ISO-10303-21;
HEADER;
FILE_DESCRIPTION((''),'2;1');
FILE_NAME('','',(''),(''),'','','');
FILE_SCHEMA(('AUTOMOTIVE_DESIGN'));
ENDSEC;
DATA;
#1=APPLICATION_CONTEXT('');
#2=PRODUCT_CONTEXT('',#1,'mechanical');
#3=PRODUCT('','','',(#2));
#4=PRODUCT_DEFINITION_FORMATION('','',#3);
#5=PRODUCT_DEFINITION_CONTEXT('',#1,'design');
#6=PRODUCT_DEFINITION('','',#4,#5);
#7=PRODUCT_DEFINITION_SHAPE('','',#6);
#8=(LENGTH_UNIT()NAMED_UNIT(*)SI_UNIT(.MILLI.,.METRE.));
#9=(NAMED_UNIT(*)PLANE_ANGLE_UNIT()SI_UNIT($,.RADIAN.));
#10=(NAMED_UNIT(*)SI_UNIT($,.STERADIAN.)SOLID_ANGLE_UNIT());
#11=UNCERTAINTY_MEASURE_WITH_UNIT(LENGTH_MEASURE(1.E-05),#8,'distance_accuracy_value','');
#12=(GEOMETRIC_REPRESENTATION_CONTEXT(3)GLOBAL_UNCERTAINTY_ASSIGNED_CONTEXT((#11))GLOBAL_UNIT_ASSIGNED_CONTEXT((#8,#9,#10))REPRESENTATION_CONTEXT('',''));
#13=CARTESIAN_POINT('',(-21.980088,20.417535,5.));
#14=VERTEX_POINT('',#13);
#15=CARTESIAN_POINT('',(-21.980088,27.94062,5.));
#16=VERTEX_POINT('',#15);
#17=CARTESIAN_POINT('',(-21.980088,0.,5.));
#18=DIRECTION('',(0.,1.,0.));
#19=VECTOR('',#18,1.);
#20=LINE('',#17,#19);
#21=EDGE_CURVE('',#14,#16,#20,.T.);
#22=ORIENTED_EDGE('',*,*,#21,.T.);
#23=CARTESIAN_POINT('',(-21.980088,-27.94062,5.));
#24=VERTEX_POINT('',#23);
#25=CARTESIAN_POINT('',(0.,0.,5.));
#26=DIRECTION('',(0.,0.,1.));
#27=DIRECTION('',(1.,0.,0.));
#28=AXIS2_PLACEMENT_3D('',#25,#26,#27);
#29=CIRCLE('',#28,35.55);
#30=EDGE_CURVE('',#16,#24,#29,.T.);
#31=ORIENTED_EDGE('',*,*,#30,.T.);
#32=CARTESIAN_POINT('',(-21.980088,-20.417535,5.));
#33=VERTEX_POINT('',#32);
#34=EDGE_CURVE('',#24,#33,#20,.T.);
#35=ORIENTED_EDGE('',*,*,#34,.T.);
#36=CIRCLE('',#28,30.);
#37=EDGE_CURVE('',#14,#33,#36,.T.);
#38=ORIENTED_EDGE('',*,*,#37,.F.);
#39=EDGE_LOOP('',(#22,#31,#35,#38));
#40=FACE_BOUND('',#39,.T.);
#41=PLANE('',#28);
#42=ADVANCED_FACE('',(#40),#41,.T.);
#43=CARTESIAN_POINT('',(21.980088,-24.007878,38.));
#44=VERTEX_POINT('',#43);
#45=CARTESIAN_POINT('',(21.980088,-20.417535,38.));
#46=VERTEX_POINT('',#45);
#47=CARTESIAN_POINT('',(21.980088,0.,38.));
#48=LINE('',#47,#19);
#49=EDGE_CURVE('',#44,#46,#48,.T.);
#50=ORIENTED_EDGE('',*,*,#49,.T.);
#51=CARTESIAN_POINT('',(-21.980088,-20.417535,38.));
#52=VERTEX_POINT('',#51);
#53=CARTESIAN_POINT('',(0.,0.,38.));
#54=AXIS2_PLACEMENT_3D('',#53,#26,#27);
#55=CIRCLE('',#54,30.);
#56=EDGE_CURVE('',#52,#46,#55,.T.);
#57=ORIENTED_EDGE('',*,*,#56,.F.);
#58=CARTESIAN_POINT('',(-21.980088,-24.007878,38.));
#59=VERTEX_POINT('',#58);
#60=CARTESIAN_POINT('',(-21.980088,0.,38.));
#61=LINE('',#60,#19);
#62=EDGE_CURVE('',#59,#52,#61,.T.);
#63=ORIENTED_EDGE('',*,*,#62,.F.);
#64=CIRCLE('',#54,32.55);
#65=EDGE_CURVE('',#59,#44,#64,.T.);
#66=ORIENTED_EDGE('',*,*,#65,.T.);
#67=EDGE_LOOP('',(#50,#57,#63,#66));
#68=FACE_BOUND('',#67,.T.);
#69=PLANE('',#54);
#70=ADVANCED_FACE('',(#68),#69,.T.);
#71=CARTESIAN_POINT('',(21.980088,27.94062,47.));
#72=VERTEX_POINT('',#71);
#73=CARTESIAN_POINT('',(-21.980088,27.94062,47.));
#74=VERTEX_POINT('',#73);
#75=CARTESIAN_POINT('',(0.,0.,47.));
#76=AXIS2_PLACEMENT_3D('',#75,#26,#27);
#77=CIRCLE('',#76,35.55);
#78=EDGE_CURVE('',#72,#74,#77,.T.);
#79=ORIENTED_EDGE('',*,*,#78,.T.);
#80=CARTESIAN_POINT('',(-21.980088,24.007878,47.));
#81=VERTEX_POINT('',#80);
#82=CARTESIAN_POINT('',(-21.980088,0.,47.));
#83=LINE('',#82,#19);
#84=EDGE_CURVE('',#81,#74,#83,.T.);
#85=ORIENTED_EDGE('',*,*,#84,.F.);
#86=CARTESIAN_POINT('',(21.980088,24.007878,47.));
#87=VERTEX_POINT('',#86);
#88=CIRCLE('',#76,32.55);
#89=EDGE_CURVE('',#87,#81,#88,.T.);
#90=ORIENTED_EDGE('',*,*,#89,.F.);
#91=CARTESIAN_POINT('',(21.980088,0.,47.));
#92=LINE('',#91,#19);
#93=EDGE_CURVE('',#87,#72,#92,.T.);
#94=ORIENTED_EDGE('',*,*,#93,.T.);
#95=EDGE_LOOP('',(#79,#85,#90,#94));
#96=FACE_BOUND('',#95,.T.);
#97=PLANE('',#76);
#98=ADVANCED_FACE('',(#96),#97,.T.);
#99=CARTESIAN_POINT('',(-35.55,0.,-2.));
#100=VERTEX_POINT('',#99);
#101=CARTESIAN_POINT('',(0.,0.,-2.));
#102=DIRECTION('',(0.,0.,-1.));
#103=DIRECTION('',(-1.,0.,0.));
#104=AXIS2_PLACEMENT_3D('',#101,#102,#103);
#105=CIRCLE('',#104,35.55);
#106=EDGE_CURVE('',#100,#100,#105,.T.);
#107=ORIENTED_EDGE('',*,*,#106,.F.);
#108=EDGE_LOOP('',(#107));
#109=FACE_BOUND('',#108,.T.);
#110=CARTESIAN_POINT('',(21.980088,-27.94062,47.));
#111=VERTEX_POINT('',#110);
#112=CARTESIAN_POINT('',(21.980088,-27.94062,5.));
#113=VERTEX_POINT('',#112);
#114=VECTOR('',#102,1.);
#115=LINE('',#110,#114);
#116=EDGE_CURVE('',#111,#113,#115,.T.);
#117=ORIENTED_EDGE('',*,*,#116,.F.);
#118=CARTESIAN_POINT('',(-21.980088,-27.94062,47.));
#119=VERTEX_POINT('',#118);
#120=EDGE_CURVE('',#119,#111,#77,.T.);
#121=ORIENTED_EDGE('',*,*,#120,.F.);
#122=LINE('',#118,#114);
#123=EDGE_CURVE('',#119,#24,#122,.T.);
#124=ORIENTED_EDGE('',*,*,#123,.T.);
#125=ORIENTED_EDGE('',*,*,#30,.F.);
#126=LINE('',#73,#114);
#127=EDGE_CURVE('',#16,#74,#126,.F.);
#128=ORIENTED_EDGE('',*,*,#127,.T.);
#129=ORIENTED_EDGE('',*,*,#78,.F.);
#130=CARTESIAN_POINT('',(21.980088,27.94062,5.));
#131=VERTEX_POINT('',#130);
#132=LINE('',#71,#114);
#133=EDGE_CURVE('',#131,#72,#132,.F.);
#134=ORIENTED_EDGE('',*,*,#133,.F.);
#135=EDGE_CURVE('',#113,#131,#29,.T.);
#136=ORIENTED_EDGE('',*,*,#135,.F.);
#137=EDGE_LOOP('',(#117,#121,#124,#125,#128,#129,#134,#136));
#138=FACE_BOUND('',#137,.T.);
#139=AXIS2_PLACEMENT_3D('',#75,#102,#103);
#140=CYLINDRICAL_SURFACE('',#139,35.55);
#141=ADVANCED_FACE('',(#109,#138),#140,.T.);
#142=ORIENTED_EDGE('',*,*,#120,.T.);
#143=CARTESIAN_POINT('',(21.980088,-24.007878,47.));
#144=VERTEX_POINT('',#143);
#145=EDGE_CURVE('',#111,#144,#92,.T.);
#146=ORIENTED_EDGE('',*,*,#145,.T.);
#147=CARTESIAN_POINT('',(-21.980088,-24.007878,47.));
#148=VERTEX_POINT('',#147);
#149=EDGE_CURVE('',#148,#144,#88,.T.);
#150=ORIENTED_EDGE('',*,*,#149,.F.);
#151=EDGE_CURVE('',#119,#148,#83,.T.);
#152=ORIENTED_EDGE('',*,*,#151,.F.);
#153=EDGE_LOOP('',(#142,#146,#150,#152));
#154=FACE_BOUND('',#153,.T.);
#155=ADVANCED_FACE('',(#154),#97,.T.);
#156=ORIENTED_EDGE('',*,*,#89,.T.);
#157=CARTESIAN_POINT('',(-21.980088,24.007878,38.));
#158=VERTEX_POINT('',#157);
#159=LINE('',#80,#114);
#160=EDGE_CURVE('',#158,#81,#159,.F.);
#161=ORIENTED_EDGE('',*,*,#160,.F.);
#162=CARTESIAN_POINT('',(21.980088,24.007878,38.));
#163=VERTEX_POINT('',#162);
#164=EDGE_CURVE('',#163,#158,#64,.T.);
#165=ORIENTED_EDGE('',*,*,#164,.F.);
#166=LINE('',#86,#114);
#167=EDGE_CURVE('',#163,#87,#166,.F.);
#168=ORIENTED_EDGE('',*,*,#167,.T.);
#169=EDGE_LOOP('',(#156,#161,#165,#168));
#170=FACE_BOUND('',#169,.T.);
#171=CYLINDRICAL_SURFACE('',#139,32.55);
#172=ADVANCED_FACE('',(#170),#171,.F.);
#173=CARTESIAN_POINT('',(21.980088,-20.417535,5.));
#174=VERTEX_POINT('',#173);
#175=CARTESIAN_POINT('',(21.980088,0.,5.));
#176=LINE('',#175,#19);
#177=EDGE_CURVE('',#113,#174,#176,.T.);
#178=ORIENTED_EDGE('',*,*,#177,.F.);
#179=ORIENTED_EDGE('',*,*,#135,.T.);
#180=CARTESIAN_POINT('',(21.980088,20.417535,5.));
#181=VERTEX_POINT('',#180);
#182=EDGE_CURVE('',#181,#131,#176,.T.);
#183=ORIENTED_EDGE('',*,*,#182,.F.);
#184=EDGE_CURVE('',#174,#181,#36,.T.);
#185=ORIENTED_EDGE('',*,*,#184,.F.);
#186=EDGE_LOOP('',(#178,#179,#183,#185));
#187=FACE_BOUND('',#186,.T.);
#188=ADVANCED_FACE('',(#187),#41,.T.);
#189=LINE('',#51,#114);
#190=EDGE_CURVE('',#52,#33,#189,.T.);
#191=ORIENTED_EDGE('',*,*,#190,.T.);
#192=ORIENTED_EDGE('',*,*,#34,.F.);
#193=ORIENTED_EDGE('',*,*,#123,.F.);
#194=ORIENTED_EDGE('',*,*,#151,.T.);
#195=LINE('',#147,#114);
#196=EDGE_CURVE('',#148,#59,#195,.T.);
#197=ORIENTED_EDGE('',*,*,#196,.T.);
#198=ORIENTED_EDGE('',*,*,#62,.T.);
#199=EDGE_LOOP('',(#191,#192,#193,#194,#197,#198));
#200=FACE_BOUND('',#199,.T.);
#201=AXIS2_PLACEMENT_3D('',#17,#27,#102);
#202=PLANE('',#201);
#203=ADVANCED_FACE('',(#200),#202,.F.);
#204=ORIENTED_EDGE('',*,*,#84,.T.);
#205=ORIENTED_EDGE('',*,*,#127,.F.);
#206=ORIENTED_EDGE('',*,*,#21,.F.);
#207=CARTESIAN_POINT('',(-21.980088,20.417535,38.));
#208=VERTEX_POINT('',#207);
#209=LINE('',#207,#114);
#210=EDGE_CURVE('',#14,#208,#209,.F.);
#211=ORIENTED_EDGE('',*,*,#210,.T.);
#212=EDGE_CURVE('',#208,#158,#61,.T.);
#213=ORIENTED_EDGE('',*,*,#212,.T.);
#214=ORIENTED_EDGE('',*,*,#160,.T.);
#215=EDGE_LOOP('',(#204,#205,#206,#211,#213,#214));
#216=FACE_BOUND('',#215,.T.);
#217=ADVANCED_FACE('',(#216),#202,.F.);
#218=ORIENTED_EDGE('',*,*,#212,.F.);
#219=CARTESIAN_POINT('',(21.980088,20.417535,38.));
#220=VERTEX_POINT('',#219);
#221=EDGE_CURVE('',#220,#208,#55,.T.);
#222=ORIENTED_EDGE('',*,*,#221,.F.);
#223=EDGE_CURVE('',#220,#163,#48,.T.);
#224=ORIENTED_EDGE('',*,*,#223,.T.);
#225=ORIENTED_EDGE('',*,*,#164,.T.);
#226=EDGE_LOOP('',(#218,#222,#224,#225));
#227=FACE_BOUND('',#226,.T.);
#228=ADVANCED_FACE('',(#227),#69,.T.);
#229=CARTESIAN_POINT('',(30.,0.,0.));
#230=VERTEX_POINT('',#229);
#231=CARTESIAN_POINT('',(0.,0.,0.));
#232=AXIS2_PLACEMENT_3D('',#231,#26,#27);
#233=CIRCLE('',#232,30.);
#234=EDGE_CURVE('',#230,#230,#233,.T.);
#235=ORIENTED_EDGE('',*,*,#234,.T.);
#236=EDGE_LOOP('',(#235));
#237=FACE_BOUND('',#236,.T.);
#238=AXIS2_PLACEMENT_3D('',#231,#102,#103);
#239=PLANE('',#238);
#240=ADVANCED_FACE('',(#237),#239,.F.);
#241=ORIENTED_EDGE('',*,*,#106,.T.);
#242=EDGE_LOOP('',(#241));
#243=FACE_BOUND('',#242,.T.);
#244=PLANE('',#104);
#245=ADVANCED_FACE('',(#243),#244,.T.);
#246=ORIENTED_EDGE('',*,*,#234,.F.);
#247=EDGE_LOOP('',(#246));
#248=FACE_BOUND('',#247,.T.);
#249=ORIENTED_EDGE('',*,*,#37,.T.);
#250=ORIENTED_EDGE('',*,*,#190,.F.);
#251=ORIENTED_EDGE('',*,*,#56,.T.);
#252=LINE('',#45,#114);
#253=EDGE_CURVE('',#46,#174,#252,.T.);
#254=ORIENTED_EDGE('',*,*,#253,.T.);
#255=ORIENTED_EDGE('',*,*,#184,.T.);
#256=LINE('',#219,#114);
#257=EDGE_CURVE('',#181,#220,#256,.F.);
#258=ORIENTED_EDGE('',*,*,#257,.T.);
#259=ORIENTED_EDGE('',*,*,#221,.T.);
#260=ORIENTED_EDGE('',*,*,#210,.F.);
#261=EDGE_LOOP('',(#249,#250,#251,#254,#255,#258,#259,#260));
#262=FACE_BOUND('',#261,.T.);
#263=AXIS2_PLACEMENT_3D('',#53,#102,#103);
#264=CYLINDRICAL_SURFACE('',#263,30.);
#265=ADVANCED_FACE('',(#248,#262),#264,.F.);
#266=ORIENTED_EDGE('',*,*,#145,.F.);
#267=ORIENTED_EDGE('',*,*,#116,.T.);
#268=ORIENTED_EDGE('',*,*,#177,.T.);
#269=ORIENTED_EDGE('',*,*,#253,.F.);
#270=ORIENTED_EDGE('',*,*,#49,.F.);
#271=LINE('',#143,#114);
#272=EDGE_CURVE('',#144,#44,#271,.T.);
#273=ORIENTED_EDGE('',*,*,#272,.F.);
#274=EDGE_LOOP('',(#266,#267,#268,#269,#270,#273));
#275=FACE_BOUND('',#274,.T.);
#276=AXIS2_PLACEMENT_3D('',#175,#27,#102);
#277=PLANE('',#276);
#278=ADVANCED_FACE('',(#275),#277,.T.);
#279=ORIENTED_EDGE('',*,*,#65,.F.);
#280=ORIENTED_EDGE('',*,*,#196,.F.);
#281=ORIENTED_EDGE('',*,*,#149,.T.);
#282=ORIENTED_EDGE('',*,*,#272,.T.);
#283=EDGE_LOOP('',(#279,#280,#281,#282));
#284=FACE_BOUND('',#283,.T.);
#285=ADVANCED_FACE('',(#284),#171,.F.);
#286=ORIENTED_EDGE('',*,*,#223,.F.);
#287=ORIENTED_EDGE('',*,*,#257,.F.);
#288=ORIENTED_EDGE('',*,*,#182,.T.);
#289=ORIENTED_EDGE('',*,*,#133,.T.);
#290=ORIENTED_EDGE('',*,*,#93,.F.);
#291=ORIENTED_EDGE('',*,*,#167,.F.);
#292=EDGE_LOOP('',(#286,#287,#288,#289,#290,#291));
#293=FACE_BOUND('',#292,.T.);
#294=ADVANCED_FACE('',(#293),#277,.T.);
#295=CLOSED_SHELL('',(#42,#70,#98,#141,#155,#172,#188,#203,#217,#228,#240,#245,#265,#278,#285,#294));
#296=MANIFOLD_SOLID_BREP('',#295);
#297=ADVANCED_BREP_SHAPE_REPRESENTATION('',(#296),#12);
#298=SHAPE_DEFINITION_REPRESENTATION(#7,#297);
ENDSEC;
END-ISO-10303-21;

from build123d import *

# Parameters (mm, degrees)
SKETCH1_R           = 35.55
SKETCH1_R_2         = 32.55
BOSS_EXTRUDE1_DEPTH = 47
BOSS_EXTRUDE2_START = 2
SKETCH2_R           = 35.55
BOSS_EXTRUDE2_DEPTH = 2
SKETCH4_R           = 32.55
SKETCH4_R_2         = 30
BOSS_EXTRUDE3_DEPTH = 38
CUT_EXTRUDE1_START  = -42
CUT_EXTRUDE1_DEPTH  = 42


with BuildPart() as part:
    # Sketch1 → Boss-Extrude1 (new body)
    with BuildSketch(Plane.XY):
        Circle(SKETCH1_R)
        Circle(SKETCH1_R_2, mode=Mode.SUBTRACT)
    extrude(amount=BOSS_EXTRUDE1_DEPTH)

    # Sketch2 → Boss-Extrude2 (add)
    with BuildSketch(Plane(origin=(0, 0, 0), x_dir=(-1, 0, 0), z_dir=(0, 0, -1)).offset(BOSS_EXTRUDE2_START)):
        Circle(SKETCH2_R)
    extrude(amount=-BOSS_EXTRUDE2_DEPTH)

    # Sketch4 → Boss-Extrude3 (add)
    with BuildSketch(Plane.XY):
        Circle(SKETCH4_R)
        Circle(SKETCH4_R_2, mode=Mode.SUBTRACT)
    extrude(amount=BOSS_EXTRUDE3_DEPTH)

    # Sketch5 → Cut-Extrude1 (cut)
    with BuildSketch(Plane.XY.offset(47).offset(CUT_EXTRUDE1_START)):
        with BuildLine():
            Line((-35.55, 35.55), (-35.55, -3.6e-08))
            ThreePointArc((-35.55, -3.6e-08), (-31.978075564, 15.530781797), (-21.980088117, 27.940619649))
            Line((-21.980088117, 27.940619649), (-21.980088117, 35.55))
            Line((-21.980088117, 35.55), (-35.55, 35.55))
        make_face()
        with BuildLine():
            ThreePointArc((-21.980088117, 27.940619649), (-31.978075564, 15.530781797), (-35.55, -3.6e-08))
            ThreePointArc((-35.55, -3.6e-08), (-31.978075549, -15.530781829), (-21.980088117, -27.940619649))
            Line((-21.980088117, -27.940619649), (-21.980088117, -24.007878423))
            ThreePointArc((-21.980088117, -24.007878423), (-32.55, 0), (-21.980088117, 24.007878423))
            Line((-21.980088117, 24.007878423), (-21.980088117, 27.940619649))
        make_face()
        with BuildLine():
            ThreePointArc((-21.980088117, 24.007878423), (-32.55, 0), (-21.980088117, -24.007878423))
            Line((-21.980088117, -24.007878423), (-21.980088117, 24.007878423))
        make_face()
        with BuildLine():
            Line((-35.55, -3.6e-08), (-35.55, -35.55))
            Line((-35.55, -35.55), (-21.980088117, -35.55))
            Line((-21.980088117, -35.55), (-21.980088117, -27.940619649))
            ThreePointArc((-21.980088117, -27.940619649), (-31.978075549, -15.530781829), (-35.55, -3.6e-08))
        make_face()
        with BuildLine():
            Line((21.980088117, -27.940619649), (21.980088117, -35.55))
            Line((21.980088117, -35.55), (35.55, -35.55))
            Line((35.55, -35.55), (35.55, 0))
            ThreePointArc((35.55, 0), (31.978075556, -15.530781813), (21.980088117, -27.940619649))
        make_face()
        with BuildLine():
            Line((21.980088117, -24.007878423), (21.980088117, -27.940619649))
            ThreePointArc((21.980088117, -27.940619649), (31.978075556, -15.530781813), (35.55, 0))
            ThreePointArc((35.55, 0), (31.978075556, 15.530781813), (21.980088117, 27.940619649))
            Line((21.980088117, 27.940619649), (21.980088117, 24.007878423))
            ThreePointArc((21.980088117, 24.007878423), (29.790555284, 13.115842172), (32.55, 0))
            ThreePointArc((32.55, 0), (29.790555284, -13.115842172), (21.980088117, -24.007878423))
        make_face()
        with BuildLine():
            Line((21.980088117, 24.007878423), (21.980088117, -24.007878423))
            ThreePointArc((21.980088117, -24.007878423), (29.790555284, -13.115842172), (32.55, 0))
            ThreePointArc((32.55, 0), (29.790555284, 13.115842172), (21.980088117, 24.007878423))
        make_face()
        with BuildLine():
            ThreePointArc((21.980088117, 27.940619649), (31.978075556, 15.530781813), (35.55, 0))
            Line((35.55, 0), (35.55, 35.55))
            Line((35.55, 35.55), (21.980088117, 35.55))
            Line((21.980088117, 35.55), (21.980088117, 27.940619649))
        make_face()
    extrude(amount=CUT_EXTRUDE1_DEPTH, mode=Mode.SUBTRACT)


solid = part.part
